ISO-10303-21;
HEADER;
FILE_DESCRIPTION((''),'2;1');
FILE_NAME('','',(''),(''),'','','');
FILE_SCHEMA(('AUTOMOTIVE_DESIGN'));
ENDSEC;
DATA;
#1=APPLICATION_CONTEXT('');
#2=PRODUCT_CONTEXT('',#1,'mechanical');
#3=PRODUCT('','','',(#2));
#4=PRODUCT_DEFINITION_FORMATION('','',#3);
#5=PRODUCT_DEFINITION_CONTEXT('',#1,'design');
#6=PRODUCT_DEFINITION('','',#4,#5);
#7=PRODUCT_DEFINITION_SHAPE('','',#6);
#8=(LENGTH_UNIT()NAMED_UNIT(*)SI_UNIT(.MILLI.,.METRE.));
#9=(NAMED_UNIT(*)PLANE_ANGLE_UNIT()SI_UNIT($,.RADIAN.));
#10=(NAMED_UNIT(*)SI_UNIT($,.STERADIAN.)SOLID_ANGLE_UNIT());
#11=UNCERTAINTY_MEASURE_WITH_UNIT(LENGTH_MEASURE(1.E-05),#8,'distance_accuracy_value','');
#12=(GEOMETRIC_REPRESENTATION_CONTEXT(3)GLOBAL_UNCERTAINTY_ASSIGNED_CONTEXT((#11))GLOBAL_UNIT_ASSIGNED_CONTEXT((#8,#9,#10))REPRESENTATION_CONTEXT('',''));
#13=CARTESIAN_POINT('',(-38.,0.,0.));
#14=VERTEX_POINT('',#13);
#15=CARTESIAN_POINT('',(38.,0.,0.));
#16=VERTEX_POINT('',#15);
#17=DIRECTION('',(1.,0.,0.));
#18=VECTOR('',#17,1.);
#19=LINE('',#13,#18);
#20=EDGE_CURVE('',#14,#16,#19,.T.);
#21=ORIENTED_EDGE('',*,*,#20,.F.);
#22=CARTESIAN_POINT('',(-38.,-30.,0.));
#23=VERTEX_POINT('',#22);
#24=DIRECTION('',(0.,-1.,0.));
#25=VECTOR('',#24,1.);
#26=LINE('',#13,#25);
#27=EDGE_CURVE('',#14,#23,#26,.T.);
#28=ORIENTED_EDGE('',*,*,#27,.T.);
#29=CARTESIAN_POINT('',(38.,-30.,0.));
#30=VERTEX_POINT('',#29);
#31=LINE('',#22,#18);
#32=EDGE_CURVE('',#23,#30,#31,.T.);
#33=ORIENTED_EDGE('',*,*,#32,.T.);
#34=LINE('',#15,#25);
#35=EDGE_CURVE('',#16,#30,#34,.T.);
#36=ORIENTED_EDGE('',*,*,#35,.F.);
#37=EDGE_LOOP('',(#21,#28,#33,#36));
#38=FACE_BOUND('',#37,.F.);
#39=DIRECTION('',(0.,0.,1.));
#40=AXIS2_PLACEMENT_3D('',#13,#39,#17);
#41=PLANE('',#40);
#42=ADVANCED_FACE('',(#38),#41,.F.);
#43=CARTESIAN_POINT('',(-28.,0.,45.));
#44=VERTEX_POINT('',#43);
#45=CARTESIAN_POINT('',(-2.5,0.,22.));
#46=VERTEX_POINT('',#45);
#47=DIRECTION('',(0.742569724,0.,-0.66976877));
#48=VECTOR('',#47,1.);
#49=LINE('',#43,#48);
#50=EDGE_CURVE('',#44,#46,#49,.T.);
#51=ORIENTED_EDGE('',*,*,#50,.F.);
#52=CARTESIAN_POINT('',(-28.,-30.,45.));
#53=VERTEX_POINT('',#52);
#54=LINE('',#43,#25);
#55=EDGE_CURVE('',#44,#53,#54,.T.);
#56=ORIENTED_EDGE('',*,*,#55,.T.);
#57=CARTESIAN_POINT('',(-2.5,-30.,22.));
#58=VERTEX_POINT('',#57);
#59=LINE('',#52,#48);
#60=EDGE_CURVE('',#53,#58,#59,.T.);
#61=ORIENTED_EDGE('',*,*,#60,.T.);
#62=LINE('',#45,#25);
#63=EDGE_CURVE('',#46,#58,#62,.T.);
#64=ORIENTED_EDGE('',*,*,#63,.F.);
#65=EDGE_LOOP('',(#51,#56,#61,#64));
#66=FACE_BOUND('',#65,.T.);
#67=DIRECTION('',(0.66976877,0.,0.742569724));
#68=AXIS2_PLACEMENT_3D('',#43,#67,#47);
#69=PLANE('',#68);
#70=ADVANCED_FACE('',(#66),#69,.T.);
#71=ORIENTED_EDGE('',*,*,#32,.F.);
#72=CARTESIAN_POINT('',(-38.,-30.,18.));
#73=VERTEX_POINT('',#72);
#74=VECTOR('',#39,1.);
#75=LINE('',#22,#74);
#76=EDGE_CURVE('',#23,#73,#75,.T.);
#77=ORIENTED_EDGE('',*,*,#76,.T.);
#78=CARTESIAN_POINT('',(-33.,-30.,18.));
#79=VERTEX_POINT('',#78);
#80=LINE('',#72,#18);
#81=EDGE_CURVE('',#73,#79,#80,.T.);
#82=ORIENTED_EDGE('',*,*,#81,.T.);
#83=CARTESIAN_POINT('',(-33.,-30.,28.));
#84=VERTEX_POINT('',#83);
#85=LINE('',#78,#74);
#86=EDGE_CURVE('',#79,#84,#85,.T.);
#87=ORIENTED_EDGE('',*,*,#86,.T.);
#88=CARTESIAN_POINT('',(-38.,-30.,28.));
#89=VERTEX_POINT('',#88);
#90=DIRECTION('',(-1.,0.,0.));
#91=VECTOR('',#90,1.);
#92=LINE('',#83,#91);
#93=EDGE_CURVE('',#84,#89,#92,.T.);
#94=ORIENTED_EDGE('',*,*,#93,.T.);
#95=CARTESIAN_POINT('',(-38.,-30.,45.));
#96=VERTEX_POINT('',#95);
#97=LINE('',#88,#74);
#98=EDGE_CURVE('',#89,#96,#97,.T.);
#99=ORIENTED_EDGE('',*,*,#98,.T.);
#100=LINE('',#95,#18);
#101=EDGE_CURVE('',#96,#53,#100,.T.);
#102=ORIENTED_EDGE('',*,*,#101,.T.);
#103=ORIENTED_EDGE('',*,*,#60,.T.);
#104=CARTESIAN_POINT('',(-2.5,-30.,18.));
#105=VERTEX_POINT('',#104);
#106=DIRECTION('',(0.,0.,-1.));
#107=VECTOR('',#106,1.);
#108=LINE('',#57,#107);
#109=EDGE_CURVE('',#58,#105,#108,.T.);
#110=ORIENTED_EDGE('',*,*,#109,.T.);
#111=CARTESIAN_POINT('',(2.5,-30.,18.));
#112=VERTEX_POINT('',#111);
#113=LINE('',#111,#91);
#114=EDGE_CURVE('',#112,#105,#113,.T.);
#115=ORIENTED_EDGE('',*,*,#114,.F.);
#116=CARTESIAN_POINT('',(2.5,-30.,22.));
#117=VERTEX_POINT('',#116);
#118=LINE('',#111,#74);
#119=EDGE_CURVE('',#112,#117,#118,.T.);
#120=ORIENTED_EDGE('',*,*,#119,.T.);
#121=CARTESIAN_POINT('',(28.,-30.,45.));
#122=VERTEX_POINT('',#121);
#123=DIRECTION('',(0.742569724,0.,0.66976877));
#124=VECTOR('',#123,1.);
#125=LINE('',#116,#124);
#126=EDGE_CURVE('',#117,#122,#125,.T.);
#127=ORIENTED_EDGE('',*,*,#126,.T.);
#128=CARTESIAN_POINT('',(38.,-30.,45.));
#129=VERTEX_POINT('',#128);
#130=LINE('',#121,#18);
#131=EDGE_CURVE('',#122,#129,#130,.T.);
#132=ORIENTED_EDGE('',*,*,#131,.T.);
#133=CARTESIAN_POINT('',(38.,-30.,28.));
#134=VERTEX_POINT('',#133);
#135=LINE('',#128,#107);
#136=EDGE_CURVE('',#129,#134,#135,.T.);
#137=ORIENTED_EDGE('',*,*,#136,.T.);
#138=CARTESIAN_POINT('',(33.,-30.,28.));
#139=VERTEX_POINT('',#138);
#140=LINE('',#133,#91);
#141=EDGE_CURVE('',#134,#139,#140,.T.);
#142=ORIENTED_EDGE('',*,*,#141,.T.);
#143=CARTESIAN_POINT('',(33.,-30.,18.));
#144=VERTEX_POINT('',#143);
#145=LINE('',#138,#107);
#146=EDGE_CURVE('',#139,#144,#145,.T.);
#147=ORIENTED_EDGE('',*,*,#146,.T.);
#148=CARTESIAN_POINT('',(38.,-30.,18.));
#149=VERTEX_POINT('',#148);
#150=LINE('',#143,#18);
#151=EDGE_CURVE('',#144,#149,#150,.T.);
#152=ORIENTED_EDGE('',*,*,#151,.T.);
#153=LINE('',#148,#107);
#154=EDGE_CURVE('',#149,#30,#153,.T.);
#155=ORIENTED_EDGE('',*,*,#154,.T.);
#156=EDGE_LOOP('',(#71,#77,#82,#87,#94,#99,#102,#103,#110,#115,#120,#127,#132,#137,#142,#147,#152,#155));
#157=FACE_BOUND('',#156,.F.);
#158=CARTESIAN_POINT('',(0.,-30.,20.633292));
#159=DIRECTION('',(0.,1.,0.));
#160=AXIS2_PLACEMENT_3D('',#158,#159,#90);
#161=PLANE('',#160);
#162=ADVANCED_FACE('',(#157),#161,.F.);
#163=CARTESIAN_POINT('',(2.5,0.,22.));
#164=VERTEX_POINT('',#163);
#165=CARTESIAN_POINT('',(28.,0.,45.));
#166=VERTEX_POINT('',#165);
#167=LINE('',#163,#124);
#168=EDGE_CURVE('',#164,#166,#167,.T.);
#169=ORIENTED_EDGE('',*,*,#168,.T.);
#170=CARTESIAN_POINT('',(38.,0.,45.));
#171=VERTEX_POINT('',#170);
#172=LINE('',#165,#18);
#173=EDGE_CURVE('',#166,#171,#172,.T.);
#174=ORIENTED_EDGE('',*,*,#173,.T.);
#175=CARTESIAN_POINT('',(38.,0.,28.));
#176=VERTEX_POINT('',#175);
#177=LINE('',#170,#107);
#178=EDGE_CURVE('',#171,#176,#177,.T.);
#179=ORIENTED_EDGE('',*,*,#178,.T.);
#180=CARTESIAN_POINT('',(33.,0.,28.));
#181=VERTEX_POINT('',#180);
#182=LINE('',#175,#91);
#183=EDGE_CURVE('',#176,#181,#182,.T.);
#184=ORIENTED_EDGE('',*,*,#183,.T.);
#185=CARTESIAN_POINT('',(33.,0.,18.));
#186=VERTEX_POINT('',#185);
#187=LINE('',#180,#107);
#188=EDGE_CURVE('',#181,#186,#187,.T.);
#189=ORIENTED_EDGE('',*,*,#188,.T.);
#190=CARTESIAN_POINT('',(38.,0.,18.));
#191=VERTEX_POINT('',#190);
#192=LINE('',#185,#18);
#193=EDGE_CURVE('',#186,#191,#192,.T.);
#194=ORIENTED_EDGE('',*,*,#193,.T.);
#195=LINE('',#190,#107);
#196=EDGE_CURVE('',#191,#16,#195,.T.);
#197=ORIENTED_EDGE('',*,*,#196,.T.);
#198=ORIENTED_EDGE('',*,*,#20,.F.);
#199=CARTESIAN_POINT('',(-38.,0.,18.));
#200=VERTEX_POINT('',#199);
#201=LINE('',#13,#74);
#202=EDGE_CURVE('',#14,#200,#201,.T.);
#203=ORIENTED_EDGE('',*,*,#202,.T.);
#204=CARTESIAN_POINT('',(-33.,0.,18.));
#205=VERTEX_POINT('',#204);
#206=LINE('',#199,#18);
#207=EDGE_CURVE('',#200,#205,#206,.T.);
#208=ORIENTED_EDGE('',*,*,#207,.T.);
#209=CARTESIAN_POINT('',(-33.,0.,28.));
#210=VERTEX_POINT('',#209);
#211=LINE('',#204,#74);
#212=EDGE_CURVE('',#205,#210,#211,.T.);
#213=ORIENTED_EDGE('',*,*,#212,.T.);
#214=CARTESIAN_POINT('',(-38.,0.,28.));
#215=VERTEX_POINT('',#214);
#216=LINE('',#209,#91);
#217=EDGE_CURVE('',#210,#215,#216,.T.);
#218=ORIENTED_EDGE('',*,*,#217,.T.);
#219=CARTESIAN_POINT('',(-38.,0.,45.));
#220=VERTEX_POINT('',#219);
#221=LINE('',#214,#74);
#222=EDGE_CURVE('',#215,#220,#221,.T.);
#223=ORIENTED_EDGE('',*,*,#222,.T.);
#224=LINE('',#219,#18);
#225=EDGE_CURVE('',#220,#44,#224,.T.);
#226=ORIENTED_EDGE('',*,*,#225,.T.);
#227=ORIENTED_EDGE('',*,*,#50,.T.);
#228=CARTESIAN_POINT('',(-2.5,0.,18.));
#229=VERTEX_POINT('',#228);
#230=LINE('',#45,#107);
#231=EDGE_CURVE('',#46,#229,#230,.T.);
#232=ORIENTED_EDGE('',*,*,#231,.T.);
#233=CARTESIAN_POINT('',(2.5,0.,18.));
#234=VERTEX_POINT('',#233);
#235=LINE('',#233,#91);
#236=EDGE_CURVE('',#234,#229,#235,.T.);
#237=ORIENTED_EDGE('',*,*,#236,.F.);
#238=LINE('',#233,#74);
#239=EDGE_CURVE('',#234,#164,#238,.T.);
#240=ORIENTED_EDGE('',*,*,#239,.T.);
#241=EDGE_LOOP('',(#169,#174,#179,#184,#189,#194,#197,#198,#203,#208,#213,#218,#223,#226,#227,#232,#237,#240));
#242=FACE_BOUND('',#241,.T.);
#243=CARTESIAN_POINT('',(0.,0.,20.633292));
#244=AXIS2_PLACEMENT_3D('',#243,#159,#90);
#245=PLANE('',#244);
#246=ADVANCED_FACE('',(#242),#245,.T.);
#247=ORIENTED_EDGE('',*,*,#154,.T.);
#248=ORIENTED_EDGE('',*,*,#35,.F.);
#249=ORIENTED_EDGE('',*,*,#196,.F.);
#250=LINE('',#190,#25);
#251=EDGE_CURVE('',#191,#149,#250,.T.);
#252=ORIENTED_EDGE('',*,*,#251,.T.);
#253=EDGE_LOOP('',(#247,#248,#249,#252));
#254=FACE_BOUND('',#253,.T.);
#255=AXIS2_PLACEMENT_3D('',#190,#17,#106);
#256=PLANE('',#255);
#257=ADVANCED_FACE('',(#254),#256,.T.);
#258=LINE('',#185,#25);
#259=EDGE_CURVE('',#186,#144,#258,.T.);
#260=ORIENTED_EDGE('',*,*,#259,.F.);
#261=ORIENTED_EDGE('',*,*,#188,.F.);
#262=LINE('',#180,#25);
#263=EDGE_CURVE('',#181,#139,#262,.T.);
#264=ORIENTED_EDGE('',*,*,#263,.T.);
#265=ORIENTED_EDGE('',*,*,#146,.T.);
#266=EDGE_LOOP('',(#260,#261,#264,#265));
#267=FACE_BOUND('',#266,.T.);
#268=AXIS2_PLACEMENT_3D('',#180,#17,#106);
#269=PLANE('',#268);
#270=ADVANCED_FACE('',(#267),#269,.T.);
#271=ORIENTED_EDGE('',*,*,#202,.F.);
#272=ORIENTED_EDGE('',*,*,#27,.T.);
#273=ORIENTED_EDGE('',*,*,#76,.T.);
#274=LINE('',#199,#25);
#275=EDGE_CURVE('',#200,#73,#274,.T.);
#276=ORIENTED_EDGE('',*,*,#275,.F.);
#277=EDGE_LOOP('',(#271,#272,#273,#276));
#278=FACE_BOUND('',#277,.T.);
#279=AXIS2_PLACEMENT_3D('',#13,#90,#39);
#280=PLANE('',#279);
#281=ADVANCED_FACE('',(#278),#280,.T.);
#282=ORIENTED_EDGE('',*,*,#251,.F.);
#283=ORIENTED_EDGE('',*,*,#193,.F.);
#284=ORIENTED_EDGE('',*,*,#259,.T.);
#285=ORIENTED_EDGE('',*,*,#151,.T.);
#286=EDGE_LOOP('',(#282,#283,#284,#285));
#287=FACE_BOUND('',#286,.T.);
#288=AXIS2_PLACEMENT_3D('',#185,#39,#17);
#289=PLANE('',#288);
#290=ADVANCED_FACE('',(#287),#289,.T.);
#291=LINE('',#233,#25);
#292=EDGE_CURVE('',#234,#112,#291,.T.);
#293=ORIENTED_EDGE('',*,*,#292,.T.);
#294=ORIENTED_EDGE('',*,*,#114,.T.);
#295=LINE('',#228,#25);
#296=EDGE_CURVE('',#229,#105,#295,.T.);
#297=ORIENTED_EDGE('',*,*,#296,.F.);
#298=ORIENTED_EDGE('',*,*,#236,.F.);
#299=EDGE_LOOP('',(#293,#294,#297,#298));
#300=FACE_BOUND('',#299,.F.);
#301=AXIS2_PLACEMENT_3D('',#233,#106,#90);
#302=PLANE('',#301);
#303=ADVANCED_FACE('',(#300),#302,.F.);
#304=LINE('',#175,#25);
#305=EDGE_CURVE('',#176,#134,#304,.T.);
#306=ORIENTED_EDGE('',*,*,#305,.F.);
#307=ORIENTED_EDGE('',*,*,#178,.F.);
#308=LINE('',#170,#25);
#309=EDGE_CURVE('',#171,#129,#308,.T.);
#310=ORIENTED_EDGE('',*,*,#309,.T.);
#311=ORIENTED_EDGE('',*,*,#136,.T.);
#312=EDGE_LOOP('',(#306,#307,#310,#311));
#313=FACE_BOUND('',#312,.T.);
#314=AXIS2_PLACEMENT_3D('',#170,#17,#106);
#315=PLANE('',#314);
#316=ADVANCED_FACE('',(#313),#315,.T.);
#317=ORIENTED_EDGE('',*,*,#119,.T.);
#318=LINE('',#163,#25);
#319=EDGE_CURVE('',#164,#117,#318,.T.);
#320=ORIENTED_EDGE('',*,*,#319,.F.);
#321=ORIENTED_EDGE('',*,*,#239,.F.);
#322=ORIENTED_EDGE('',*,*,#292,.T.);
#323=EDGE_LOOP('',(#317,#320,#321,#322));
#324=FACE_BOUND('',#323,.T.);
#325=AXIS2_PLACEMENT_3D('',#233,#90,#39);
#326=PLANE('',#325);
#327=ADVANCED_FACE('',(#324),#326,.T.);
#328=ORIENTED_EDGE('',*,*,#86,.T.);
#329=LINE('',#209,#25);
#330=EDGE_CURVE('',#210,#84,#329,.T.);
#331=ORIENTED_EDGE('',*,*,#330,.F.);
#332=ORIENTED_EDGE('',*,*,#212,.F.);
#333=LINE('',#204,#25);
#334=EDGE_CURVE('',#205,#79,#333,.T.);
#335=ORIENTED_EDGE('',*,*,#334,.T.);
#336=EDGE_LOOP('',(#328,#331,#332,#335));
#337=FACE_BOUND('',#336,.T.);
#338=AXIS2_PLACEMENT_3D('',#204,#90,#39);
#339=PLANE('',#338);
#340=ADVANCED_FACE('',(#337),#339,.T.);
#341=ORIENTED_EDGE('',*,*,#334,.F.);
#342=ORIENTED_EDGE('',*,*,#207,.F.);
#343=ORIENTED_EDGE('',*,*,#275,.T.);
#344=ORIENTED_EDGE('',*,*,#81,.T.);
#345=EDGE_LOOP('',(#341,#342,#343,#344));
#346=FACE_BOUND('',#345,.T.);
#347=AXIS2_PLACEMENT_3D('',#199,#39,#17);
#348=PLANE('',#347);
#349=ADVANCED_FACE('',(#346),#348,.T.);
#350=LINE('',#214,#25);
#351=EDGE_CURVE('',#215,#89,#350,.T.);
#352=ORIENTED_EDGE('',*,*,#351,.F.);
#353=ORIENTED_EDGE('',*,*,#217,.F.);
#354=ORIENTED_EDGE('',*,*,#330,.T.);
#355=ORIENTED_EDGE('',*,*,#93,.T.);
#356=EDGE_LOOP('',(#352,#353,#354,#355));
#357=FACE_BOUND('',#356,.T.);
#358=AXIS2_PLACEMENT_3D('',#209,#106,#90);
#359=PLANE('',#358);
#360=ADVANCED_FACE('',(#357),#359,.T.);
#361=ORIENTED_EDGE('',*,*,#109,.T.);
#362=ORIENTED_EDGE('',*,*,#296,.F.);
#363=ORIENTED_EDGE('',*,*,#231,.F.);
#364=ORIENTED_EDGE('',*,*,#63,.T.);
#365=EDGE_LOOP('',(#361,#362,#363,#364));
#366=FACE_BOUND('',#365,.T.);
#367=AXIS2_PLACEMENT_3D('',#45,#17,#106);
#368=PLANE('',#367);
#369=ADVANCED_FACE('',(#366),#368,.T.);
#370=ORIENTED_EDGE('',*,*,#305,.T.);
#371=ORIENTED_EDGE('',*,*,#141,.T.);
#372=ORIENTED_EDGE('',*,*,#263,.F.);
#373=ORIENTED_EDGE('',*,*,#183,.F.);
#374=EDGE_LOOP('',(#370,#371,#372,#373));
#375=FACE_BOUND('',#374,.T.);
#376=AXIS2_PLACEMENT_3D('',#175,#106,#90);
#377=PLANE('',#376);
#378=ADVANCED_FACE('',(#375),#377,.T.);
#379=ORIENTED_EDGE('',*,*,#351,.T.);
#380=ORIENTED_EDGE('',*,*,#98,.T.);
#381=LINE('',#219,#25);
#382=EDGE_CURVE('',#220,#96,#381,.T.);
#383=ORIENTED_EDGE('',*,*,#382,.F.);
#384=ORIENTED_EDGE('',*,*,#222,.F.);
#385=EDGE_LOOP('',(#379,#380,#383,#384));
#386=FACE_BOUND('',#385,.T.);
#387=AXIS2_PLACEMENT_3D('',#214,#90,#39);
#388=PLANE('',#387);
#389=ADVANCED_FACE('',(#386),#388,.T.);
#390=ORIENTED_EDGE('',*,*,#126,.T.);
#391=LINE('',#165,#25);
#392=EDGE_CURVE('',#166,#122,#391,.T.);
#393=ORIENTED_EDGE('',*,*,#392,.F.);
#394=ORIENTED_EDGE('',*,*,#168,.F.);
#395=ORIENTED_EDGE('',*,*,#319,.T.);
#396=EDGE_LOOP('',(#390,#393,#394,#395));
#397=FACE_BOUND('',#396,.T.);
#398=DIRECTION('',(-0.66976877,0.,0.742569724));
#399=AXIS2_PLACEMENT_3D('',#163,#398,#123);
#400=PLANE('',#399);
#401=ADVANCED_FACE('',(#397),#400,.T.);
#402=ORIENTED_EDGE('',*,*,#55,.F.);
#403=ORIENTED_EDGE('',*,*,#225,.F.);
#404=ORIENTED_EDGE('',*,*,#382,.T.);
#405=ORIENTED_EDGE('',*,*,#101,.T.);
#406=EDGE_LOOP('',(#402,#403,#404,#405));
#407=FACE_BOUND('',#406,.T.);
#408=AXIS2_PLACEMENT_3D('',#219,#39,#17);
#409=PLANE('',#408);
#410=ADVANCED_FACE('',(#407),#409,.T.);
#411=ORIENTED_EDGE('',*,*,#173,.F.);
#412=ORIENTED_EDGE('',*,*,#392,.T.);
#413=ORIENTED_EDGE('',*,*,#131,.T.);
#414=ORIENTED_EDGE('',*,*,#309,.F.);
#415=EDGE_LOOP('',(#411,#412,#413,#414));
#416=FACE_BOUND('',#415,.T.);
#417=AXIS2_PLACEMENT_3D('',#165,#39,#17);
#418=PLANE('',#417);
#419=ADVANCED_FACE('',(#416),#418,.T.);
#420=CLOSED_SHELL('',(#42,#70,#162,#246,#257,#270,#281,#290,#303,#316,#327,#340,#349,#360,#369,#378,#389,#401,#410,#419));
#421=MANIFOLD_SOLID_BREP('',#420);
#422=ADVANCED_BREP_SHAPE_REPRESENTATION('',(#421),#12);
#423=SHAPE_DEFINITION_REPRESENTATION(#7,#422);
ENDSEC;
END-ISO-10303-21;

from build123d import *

# Parameters (mm, degrees)
PAD_DEPTH = 30


with BuildPart() as part:
    # Sketch → Pad (new body)
    with BuildSketch(Plane.XZ):
        Polygon((0, 0), (-38, 0), (-38, 18), (-33, 18), (-33, 28), (-38, 28), (-38, 45), (-28, 45), (-2.5, 22), (-2.5, 18), (0, 18), (2.5, 18), (2.5, 22), (28, 45), (38, 45), (38, 28), (33, 28), (33, 18), (38, 18), (38, 0), align=None)
    extrude(amount=PAD_DEPTH)


solid = part.part
